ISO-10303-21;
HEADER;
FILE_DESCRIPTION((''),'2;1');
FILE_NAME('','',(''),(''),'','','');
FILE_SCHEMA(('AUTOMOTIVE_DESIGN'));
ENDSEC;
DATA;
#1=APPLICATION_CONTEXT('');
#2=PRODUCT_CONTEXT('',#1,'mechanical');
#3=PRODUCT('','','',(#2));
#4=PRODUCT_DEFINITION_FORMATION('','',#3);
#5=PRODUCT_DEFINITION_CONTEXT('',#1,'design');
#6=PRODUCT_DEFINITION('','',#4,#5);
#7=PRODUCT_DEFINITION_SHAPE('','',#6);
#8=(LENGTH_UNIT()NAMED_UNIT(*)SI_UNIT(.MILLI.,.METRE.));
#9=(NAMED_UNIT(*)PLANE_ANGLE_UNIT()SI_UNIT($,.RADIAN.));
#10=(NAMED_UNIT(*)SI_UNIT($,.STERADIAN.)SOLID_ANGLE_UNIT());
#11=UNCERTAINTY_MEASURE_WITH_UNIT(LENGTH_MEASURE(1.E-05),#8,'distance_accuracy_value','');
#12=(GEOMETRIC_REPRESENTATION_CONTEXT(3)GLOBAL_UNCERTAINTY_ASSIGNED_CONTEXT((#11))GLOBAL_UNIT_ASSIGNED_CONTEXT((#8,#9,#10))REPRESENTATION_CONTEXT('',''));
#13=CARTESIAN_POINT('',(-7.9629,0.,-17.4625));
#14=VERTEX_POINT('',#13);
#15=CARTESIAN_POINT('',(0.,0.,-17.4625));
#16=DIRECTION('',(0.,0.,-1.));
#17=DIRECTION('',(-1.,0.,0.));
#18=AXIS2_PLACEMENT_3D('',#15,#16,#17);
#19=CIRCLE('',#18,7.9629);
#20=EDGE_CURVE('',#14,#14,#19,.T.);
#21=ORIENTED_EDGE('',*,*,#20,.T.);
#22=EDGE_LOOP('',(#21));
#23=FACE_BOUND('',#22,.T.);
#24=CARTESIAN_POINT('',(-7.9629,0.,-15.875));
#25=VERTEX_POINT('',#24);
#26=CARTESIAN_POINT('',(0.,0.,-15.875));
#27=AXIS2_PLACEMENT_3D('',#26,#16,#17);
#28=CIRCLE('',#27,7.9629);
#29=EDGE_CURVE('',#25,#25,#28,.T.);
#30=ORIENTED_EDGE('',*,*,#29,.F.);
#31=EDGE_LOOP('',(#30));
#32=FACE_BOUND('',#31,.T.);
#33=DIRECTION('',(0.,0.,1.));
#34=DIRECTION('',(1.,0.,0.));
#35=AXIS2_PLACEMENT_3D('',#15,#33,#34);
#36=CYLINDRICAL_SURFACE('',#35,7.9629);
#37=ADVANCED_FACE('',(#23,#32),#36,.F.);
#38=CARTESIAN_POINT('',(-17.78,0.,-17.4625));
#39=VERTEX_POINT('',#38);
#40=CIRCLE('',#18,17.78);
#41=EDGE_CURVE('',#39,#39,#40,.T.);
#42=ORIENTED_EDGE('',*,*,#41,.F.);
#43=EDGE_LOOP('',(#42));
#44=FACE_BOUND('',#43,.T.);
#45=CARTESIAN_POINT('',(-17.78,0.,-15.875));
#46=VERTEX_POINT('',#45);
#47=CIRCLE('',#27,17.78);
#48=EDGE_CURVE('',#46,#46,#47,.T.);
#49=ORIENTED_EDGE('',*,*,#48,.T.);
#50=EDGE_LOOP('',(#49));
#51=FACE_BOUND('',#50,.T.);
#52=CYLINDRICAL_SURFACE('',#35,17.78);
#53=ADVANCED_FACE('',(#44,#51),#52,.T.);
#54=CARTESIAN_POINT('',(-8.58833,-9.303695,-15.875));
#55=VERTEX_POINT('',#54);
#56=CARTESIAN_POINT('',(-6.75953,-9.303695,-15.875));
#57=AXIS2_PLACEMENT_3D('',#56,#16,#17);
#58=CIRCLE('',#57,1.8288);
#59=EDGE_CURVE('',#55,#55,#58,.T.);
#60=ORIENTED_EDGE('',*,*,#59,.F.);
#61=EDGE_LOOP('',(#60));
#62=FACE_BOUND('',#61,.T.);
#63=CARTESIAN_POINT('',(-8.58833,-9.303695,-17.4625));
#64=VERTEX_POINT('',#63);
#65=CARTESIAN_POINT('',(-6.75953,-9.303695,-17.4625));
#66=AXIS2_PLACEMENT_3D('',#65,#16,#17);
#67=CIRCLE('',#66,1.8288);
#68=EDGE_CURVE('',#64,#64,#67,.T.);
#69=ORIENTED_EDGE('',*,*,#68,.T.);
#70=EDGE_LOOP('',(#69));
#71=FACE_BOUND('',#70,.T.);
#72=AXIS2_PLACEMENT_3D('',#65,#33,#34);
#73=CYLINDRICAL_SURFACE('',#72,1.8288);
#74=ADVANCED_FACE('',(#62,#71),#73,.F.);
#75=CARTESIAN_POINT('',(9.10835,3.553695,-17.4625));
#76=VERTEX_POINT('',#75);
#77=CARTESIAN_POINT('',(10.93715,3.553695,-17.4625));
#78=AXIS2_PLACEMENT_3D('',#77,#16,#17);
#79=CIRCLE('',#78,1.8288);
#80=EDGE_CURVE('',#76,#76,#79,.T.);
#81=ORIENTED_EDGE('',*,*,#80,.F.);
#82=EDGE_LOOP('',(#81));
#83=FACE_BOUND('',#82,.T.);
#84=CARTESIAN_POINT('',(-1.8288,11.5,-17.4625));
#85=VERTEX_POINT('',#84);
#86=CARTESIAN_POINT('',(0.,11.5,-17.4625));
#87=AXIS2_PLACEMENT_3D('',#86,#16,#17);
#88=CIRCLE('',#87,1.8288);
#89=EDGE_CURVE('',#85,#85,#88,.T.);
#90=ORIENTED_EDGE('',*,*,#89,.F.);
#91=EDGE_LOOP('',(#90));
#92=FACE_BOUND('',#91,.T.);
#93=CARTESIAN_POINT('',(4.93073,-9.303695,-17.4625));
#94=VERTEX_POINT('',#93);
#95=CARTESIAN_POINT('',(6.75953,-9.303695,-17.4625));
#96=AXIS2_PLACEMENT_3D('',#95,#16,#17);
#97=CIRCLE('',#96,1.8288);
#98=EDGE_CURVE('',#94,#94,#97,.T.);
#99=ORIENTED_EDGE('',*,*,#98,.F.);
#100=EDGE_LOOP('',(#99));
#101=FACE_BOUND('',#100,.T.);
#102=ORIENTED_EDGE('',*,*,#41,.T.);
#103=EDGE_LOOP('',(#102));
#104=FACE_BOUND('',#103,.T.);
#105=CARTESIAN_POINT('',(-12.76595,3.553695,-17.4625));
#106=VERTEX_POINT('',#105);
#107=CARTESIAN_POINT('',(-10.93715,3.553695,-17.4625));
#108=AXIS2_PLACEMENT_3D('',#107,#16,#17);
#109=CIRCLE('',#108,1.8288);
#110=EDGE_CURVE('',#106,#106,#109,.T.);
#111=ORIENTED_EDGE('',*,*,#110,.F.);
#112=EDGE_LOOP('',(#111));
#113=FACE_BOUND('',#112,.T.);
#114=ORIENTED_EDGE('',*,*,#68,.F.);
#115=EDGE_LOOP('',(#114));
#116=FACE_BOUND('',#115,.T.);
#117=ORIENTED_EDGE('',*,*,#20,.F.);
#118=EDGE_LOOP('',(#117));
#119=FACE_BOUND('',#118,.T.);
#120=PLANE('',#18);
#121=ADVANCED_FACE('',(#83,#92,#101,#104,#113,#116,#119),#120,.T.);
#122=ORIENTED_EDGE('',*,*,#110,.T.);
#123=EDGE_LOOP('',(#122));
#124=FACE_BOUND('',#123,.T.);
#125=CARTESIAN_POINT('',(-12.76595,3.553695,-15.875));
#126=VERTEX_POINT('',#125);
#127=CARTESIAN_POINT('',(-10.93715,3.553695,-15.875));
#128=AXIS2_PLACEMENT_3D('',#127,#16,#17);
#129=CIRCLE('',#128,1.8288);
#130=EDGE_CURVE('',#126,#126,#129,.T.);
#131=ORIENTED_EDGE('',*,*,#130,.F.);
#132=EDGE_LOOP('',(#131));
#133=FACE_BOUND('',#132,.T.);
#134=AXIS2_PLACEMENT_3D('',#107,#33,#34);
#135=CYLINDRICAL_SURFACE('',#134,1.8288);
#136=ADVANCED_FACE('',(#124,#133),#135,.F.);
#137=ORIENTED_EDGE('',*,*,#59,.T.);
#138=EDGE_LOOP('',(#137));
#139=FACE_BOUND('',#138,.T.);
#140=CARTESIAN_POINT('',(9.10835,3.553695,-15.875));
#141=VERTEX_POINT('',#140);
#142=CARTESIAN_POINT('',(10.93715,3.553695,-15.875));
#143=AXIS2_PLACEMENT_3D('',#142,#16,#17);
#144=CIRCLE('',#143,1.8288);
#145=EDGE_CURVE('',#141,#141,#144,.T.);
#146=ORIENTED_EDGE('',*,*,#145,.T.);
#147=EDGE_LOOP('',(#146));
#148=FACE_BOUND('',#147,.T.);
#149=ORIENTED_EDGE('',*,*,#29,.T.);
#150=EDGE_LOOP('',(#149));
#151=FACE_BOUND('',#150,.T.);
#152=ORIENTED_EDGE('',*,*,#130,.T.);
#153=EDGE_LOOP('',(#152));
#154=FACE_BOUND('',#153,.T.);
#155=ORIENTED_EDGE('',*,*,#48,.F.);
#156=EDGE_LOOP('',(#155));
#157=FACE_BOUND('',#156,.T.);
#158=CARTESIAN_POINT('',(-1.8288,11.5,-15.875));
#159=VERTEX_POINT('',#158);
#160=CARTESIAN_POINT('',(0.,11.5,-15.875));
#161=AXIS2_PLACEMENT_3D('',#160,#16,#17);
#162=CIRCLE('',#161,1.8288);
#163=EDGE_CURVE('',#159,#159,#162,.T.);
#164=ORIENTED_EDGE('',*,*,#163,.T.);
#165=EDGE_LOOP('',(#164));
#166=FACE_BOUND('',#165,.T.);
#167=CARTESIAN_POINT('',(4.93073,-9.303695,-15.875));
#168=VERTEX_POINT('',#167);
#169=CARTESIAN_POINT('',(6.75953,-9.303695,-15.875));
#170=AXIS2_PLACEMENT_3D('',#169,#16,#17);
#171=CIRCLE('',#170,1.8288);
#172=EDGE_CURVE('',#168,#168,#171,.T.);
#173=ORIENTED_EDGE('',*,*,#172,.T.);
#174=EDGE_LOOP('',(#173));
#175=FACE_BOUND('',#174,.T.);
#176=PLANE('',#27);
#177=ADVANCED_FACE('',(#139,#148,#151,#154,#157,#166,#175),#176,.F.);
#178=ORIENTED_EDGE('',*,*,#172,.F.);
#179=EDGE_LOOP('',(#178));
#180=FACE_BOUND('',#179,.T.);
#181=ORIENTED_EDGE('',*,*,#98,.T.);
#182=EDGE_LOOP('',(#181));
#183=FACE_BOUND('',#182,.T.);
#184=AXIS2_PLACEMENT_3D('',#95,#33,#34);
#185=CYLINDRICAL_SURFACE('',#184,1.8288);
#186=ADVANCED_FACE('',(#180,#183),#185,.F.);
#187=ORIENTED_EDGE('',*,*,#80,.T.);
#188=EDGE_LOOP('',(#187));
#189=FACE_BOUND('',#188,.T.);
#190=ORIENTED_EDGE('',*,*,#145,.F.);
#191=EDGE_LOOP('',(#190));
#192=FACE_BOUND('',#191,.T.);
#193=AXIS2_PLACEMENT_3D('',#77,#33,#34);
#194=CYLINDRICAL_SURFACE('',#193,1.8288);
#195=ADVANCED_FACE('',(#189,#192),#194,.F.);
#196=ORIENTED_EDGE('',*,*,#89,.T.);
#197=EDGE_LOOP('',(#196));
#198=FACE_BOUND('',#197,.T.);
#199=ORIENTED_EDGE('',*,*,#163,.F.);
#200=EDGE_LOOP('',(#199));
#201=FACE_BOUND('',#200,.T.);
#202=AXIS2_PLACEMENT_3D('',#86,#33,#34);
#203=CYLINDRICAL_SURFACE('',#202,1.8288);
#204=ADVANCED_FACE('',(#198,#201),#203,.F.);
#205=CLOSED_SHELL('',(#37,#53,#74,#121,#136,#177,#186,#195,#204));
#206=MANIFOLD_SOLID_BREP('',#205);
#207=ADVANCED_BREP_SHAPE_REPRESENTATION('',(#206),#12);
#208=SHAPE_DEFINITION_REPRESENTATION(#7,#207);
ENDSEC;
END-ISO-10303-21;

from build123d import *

# Parameters (mm, degrees)
SKETCH3_R           = 17.78
SKETCH3_R_2         = 7.9629
SKETCH3_R_3         = 1.8288
BOSS_EXTRUDE2_DEPTH = 1.5875


with BuildPart() as part:
    # Sketch3 → Boss-Extrude2 (new body)
    with BuildSketch(Plane(origin=(0, 0, -15.875), x_dir=(-1, 0, 0), z_dir=(0, 0, -1))):
        Circle(SKETCH3_R)
        Circle(SKETCH3_R_2, mode=Mode.SUBTRACT)
        with Locations((-6.759530401, -9.303695435)):
            Circle(SKETCH3_R_3, mode=Mode.SUBTRACT)
        with Locations((6.759530401, -9.303695435)):
            Circle(SKETCH3_R_3, mode=Mode.SUBTRACT)
        with Locations((10.937149937, 3.553695435)):
            Circle(SKETCH3_R_3, mode=Mode.SUBTRACT)
        with Locations((0, 11.5)):
            Circle(SKETCH3_R_3, mode=Mode.SUBTRACT)
        with Locations((-10.937149937, 3.553695435)):
            Circle(SKETCH3_R_3, mode=Mode.SUBTRACT)
    extrude(amount=BOSS_EXTRUDE2_DEPTH)


solid = part.part
